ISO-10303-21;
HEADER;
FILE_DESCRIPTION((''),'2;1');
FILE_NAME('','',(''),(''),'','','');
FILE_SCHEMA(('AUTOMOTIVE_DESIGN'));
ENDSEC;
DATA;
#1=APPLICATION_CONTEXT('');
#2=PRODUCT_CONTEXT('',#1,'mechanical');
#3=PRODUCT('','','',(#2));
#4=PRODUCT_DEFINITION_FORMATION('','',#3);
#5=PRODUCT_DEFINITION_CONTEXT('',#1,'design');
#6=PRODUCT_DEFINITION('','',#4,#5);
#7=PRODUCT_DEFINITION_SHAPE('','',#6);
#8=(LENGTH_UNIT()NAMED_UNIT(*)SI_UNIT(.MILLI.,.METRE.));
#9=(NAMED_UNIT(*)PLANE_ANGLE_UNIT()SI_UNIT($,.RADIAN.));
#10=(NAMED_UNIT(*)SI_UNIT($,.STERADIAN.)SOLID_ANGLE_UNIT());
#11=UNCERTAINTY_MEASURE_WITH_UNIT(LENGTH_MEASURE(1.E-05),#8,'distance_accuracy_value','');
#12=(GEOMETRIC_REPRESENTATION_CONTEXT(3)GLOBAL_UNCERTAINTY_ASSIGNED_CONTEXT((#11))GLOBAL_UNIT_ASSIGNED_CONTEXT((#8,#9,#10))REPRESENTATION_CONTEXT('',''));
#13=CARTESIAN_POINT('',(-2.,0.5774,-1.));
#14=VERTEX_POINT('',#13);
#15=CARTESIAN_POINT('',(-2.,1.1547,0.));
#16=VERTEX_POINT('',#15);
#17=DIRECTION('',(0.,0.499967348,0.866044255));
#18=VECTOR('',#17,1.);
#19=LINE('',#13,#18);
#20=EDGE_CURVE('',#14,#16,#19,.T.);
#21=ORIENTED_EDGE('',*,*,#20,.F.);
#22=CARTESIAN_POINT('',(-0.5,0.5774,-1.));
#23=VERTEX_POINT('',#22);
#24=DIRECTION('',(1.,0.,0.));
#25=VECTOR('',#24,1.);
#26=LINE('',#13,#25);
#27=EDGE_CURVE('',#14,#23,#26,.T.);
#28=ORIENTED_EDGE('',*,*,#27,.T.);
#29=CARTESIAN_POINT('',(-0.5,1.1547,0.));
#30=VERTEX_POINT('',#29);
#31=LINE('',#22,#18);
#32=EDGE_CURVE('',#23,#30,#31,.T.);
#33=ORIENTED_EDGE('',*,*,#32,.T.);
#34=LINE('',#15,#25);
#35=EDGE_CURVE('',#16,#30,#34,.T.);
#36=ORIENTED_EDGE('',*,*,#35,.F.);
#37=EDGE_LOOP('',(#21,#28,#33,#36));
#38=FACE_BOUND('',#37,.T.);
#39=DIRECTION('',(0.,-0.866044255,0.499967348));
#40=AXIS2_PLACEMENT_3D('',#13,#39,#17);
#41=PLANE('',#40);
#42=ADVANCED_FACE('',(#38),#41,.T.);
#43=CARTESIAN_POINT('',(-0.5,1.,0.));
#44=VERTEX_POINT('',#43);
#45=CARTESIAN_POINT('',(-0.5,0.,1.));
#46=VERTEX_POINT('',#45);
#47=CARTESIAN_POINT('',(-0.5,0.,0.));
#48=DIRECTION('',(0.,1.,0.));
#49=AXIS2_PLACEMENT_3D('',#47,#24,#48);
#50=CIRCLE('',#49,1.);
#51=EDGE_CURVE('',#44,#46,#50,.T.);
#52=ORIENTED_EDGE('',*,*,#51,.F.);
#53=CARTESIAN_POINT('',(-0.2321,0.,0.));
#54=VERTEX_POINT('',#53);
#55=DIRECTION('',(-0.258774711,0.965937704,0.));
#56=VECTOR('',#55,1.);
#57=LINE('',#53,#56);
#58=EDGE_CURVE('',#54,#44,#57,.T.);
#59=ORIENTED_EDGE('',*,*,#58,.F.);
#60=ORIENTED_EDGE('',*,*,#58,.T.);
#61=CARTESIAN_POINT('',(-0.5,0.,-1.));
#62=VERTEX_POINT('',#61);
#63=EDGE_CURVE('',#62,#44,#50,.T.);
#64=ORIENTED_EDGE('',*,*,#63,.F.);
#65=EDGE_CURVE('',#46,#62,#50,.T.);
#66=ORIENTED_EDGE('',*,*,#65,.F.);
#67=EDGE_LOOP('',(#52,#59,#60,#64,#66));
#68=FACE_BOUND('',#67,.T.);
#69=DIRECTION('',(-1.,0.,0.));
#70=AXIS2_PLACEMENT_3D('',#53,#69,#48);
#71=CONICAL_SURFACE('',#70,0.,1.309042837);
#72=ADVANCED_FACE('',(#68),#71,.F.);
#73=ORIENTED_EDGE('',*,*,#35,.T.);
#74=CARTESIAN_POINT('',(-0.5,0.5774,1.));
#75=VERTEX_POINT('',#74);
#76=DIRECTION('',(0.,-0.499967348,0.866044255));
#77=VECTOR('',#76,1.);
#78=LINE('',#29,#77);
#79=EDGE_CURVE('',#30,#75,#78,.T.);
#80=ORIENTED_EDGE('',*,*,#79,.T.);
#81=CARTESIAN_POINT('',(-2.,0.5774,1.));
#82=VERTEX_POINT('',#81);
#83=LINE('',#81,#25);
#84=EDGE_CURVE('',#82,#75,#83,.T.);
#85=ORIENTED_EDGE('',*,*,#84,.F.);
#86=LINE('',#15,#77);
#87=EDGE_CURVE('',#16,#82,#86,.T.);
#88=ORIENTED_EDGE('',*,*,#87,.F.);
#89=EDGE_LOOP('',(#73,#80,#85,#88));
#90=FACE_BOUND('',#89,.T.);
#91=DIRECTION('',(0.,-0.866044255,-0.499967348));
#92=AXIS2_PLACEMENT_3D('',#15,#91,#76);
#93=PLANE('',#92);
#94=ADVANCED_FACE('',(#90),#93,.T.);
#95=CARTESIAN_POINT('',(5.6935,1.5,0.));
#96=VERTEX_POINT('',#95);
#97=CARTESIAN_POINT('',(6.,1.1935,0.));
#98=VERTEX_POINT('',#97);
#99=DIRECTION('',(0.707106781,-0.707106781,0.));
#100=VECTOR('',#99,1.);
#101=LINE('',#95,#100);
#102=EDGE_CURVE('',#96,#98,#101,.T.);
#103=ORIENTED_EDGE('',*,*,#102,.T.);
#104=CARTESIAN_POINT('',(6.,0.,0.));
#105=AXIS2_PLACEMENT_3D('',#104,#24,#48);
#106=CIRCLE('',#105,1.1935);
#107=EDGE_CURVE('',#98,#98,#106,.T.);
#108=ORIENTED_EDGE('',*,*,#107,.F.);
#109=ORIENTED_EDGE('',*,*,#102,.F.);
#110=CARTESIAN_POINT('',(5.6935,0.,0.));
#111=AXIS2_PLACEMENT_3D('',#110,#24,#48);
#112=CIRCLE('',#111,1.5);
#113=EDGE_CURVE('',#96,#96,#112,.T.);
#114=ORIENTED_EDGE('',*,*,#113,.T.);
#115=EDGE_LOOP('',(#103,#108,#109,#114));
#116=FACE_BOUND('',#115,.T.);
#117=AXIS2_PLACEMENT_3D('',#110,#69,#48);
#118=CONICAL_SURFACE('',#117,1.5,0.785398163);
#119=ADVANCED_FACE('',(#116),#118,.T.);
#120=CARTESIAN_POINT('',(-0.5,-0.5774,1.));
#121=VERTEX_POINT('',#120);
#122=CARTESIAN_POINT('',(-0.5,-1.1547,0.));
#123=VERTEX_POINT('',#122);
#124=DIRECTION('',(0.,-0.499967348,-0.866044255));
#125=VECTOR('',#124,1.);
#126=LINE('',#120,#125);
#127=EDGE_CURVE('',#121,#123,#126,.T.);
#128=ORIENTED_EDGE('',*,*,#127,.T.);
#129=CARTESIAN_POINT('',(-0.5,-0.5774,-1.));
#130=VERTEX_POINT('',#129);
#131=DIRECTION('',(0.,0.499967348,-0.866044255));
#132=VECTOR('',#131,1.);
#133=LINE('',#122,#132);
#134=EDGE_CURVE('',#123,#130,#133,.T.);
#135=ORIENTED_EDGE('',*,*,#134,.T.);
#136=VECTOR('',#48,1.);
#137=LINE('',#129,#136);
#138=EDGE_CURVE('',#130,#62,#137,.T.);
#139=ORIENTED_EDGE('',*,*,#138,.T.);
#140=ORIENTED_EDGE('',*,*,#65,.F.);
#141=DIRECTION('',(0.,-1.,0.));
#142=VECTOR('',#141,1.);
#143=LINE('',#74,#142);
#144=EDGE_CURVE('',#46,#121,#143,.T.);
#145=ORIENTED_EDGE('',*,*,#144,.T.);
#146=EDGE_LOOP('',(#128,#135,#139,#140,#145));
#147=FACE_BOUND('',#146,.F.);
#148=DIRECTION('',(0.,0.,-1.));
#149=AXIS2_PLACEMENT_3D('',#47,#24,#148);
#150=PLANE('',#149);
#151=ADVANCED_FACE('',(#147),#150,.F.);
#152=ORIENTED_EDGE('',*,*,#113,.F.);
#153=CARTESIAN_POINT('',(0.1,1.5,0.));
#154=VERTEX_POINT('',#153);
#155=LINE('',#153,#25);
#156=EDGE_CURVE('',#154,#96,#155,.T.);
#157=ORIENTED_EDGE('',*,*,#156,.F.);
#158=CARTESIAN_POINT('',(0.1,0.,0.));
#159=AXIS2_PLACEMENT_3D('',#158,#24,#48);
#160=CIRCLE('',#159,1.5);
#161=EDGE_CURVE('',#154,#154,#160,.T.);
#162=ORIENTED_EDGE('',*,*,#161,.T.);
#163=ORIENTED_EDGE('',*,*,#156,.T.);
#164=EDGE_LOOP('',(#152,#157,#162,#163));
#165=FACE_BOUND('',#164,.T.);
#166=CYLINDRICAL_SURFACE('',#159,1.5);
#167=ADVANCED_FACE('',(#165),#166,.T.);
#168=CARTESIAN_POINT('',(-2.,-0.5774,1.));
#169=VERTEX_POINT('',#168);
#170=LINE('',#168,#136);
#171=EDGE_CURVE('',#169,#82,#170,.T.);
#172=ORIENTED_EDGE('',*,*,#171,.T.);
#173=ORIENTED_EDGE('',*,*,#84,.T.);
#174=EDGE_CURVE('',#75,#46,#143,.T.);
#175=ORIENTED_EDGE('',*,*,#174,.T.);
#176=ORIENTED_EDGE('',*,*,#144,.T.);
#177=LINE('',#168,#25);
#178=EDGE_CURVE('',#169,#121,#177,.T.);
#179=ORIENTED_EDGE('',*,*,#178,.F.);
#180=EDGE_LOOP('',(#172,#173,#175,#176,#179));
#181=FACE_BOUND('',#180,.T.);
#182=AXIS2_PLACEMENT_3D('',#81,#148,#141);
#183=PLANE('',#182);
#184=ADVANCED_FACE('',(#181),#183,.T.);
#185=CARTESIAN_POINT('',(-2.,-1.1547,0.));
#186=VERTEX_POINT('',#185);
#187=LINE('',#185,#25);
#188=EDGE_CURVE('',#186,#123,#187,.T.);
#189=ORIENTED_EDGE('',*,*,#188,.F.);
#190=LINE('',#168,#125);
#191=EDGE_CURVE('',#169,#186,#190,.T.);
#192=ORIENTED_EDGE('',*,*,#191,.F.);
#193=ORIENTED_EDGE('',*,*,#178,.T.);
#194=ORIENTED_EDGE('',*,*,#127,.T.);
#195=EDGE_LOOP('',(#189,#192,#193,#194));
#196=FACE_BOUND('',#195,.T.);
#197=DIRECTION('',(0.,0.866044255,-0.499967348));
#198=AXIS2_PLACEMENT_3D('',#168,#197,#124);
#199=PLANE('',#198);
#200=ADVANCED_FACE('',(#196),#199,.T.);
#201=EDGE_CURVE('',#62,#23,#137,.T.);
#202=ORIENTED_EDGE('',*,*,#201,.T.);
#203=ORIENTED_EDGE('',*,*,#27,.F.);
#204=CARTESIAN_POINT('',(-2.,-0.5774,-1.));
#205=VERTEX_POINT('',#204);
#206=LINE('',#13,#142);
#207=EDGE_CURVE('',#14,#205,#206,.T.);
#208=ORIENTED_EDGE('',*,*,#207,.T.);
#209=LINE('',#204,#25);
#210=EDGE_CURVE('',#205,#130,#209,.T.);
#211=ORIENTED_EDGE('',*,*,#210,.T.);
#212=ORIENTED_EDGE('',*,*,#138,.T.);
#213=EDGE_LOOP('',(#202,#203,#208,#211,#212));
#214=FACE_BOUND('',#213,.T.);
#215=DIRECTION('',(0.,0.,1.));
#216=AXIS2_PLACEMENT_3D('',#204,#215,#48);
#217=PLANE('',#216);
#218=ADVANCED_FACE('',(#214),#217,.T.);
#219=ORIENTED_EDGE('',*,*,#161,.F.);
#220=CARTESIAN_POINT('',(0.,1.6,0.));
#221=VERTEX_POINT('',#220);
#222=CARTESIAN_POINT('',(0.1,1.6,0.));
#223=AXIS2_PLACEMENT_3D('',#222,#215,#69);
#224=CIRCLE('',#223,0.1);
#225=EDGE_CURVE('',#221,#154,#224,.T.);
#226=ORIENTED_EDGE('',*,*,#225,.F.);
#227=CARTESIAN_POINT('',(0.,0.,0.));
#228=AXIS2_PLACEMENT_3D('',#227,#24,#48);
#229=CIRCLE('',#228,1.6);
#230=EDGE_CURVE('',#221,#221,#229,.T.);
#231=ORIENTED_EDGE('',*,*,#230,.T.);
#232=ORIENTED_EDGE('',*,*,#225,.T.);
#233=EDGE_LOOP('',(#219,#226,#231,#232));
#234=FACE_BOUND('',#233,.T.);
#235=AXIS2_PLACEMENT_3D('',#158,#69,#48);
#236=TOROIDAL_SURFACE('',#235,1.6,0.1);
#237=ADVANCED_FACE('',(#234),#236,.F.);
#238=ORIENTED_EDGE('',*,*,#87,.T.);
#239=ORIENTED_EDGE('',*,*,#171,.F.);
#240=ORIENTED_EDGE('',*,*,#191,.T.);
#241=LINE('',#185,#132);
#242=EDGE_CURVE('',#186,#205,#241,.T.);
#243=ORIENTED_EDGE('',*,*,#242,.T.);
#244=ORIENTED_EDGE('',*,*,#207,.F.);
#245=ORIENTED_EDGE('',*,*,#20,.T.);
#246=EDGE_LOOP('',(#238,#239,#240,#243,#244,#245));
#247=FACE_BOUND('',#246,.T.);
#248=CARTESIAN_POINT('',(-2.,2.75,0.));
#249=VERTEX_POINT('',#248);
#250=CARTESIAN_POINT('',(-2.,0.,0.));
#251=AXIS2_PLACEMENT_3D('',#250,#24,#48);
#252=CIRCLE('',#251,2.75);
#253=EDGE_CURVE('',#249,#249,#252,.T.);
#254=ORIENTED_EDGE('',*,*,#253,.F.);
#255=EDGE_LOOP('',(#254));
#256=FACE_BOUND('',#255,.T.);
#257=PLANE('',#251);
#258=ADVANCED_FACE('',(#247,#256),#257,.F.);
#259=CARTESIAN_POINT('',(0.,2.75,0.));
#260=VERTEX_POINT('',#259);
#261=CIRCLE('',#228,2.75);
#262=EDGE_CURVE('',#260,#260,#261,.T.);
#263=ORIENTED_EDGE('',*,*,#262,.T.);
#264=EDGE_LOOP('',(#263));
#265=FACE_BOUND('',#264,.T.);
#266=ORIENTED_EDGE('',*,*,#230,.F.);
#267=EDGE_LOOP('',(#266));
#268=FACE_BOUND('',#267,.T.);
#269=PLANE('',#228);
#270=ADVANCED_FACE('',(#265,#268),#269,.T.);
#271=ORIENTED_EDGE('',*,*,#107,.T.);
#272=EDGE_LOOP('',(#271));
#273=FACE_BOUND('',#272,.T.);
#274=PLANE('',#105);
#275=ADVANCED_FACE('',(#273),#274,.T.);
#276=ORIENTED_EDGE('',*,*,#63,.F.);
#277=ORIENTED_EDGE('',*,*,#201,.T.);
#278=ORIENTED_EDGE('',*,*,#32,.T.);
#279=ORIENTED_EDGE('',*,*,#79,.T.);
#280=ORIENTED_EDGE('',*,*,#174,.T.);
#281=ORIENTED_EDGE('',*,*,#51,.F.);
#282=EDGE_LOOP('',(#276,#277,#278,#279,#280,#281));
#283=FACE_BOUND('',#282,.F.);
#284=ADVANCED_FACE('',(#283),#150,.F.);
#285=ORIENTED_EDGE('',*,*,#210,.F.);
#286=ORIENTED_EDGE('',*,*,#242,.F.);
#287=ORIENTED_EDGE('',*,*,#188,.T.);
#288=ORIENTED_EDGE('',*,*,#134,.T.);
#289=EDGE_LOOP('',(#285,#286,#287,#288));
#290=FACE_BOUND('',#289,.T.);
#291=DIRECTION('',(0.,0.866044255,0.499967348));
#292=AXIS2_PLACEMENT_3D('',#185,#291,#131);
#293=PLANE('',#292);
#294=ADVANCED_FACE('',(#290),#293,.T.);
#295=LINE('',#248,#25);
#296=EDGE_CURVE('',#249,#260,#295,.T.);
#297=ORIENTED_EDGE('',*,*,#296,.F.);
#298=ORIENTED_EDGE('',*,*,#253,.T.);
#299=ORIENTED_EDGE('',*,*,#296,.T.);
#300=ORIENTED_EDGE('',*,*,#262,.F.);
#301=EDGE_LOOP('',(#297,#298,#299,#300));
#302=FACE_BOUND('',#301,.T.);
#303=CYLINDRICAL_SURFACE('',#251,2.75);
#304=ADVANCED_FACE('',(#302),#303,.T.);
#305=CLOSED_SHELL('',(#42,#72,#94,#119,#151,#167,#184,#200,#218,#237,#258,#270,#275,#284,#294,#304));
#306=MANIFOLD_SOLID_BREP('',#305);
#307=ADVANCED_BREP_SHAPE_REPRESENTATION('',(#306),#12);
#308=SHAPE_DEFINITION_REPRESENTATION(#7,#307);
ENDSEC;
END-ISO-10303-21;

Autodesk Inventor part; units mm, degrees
ref_plane "YZ Plane" through (0, 0, 0) normal (1, 0, 0) x (0, 1, 0)
ref_plane "XZ Plane" through (0, 0, 0) normal (0, 1, 0) x (-1, 0, 0)
ref_plane "XY Plane" through (0, 0, 0) normal (0, 0, 1) x (1, 0, 0)
sketch "Sketch_1" plane through (0, 0, 0) normal (0, 0, 1) x (1, 0, 0)
  line L0 (6, 0) -> (-0.2321, 0)
  line L1 (-0.2321, 0) -> (-0.5, 1)
  line L2 (-0.5, 1) -> (-2, 1)
  line L3 (-2, 1) -> (-2, 2.75)
  line L4 (-2, 2.75) -> (0, 2.75)
  line L5 (0, 2.75) -> (0, 1.6)
  arc A0 (0, 1.6) -> (0.1, 1.5) centre (0.1, 1.6) ccw
  line L6 (0.1, 1.5) -> (5.6935, 1.5)
  line L7 (5.6935, 1.5) -> (6, 1.1935)
  line L8 (6, 1.1935) -> (6, 0)
  line L9 (6, 0) -> (-0.2321, 0)
revolve "Revolution1" add sketch "Sketch_1" angle 360 about axis through (6, 0, 0) along (1, 0, 0)
thread "Thread1" size "M3x0.5" class "6g" standard "ISO Metric profile" length 5.0626
sketch "Sketch_2" plane through (-2, 0, 0) normal (1, 0, 0) x (0, 0, -1)
  line L0 (-1, 0.5774) -> (-1, -0.5774)
  line L1 (-1, -0.5774) -> (0, -1.1547)
  line L2 (0, -1.1547) -> (1, -0.5774)
  line L3 (1, -0.5774) -> (1, 0.5774)
  line L4 (1, 0.5774) -> (0, 1.1547)
  line L5 (0, 1.1547) -> (-1, 0.5774)
extrude "Extrusion1" cut sketch "Sketch_2" along normal blind 1.5
properties part number "CBSH3-6"
